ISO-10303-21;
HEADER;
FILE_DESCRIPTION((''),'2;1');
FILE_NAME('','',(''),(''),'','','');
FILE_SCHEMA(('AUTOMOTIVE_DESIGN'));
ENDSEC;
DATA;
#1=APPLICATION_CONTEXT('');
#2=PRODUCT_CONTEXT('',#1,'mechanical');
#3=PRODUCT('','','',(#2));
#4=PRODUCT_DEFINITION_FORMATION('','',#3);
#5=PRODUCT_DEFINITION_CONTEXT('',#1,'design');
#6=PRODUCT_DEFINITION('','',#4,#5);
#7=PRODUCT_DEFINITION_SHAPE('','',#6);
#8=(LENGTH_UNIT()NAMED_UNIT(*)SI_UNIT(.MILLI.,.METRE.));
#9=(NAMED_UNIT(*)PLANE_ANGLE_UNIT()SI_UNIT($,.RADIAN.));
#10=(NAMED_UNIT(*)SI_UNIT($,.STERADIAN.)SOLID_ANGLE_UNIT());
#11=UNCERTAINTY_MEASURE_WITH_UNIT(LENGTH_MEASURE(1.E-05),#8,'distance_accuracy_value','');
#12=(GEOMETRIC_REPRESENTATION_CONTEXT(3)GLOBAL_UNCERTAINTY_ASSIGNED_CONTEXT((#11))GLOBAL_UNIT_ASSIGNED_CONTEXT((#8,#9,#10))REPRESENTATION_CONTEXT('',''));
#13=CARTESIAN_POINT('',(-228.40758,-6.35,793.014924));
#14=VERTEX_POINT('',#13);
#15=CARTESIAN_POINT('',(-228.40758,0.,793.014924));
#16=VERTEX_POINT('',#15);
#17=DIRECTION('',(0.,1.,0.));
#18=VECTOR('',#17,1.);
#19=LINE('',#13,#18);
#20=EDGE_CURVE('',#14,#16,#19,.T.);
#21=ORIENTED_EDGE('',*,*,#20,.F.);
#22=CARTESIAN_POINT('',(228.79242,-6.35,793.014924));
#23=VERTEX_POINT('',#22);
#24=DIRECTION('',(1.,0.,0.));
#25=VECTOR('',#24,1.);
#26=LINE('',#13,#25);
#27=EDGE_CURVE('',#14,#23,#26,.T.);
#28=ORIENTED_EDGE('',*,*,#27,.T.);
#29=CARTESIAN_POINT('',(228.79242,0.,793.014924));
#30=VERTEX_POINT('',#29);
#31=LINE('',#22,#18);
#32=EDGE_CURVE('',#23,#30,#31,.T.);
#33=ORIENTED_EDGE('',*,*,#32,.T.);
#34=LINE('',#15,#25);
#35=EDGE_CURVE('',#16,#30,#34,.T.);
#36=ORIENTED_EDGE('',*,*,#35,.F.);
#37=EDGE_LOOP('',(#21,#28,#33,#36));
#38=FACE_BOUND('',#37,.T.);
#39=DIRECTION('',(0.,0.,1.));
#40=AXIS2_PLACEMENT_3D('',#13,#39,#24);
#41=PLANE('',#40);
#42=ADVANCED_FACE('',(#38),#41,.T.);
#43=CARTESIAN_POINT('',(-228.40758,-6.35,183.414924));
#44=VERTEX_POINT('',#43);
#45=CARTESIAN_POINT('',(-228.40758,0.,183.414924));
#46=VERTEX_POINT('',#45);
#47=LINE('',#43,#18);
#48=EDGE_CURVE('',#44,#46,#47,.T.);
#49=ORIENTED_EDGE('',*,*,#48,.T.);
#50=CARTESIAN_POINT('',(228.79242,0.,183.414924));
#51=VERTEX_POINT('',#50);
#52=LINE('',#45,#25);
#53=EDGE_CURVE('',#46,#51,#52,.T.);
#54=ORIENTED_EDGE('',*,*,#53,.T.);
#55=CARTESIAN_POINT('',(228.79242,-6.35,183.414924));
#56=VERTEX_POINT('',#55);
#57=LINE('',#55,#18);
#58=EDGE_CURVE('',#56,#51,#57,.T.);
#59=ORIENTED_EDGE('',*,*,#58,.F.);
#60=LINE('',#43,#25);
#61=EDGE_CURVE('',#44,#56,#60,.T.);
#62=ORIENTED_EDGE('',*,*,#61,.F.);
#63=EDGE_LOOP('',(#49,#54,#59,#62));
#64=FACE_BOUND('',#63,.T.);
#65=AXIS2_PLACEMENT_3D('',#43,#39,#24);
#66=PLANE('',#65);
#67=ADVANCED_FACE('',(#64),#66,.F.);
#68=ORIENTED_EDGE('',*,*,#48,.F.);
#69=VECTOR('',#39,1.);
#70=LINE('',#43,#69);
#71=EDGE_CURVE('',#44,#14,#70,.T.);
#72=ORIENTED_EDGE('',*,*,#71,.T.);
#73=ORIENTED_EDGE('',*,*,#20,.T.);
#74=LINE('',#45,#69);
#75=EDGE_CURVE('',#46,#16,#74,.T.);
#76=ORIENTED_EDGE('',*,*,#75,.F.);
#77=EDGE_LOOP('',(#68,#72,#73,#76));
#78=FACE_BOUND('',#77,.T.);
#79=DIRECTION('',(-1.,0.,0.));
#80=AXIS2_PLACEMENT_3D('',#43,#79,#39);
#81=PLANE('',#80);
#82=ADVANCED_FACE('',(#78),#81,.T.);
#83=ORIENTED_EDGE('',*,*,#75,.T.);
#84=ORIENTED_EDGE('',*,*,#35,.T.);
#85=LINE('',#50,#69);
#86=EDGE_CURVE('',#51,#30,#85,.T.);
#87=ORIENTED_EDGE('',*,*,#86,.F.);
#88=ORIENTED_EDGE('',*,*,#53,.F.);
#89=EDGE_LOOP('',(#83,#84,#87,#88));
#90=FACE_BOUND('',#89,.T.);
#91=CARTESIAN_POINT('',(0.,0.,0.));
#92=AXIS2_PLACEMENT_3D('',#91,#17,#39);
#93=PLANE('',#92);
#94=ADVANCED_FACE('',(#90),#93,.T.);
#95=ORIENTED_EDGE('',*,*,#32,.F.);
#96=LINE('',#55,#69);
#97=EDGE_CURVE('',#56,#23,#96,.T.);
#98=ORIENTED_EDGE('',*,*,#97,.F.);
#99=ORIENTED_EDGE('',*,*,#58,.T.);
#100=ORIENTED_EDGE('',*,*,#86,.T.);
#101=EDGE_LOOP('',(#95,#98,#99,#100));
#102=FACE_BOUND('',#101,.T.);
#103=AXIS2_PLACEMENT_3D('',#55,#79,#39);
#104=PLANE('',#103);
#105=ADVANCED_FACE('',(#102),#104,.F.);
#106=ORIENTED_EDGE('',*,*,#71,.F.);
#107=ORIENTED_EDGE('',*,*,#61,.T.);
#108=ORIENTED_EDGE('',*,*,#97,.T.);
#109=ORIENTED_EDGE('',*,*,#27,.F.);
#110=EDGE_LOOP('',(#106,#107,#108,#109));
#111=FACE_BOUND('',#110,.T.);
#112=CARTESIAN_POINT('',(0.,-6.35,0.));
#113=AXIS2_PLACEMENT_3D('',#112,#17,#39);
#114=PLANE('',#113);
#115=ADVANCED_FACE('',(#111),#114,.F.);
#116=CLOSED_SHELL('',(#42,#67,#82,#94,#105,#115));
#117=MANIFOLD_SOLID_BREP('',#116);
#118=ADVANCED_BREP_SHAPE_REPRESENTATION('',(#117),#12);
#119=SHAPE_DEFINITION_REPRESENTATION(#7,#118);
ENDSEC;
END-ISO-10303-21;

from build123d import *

# Parameters (mm, degrees)
SKETCH1_W           = 457.2
SKETCH1_H           = 609.6
BOSS_EXTRUDE1_DEPTH = 6.35


with BuildPart() as part:
    # Sketch1 → Boss-Extrude1 (new body)
    with BuildSketch(Plane(origin=(0, 0, 0), x_dir=(1, 0, 0), z_dir=(0, 1, 0))):
        with Locations((0.192419695, -488.214923849)):
            Rectangle(SKETCH1_W, SKETCH1_H)
    extrude(amount=-BOSS_EXTRUDE1_DEPTH)


solid = part.part
